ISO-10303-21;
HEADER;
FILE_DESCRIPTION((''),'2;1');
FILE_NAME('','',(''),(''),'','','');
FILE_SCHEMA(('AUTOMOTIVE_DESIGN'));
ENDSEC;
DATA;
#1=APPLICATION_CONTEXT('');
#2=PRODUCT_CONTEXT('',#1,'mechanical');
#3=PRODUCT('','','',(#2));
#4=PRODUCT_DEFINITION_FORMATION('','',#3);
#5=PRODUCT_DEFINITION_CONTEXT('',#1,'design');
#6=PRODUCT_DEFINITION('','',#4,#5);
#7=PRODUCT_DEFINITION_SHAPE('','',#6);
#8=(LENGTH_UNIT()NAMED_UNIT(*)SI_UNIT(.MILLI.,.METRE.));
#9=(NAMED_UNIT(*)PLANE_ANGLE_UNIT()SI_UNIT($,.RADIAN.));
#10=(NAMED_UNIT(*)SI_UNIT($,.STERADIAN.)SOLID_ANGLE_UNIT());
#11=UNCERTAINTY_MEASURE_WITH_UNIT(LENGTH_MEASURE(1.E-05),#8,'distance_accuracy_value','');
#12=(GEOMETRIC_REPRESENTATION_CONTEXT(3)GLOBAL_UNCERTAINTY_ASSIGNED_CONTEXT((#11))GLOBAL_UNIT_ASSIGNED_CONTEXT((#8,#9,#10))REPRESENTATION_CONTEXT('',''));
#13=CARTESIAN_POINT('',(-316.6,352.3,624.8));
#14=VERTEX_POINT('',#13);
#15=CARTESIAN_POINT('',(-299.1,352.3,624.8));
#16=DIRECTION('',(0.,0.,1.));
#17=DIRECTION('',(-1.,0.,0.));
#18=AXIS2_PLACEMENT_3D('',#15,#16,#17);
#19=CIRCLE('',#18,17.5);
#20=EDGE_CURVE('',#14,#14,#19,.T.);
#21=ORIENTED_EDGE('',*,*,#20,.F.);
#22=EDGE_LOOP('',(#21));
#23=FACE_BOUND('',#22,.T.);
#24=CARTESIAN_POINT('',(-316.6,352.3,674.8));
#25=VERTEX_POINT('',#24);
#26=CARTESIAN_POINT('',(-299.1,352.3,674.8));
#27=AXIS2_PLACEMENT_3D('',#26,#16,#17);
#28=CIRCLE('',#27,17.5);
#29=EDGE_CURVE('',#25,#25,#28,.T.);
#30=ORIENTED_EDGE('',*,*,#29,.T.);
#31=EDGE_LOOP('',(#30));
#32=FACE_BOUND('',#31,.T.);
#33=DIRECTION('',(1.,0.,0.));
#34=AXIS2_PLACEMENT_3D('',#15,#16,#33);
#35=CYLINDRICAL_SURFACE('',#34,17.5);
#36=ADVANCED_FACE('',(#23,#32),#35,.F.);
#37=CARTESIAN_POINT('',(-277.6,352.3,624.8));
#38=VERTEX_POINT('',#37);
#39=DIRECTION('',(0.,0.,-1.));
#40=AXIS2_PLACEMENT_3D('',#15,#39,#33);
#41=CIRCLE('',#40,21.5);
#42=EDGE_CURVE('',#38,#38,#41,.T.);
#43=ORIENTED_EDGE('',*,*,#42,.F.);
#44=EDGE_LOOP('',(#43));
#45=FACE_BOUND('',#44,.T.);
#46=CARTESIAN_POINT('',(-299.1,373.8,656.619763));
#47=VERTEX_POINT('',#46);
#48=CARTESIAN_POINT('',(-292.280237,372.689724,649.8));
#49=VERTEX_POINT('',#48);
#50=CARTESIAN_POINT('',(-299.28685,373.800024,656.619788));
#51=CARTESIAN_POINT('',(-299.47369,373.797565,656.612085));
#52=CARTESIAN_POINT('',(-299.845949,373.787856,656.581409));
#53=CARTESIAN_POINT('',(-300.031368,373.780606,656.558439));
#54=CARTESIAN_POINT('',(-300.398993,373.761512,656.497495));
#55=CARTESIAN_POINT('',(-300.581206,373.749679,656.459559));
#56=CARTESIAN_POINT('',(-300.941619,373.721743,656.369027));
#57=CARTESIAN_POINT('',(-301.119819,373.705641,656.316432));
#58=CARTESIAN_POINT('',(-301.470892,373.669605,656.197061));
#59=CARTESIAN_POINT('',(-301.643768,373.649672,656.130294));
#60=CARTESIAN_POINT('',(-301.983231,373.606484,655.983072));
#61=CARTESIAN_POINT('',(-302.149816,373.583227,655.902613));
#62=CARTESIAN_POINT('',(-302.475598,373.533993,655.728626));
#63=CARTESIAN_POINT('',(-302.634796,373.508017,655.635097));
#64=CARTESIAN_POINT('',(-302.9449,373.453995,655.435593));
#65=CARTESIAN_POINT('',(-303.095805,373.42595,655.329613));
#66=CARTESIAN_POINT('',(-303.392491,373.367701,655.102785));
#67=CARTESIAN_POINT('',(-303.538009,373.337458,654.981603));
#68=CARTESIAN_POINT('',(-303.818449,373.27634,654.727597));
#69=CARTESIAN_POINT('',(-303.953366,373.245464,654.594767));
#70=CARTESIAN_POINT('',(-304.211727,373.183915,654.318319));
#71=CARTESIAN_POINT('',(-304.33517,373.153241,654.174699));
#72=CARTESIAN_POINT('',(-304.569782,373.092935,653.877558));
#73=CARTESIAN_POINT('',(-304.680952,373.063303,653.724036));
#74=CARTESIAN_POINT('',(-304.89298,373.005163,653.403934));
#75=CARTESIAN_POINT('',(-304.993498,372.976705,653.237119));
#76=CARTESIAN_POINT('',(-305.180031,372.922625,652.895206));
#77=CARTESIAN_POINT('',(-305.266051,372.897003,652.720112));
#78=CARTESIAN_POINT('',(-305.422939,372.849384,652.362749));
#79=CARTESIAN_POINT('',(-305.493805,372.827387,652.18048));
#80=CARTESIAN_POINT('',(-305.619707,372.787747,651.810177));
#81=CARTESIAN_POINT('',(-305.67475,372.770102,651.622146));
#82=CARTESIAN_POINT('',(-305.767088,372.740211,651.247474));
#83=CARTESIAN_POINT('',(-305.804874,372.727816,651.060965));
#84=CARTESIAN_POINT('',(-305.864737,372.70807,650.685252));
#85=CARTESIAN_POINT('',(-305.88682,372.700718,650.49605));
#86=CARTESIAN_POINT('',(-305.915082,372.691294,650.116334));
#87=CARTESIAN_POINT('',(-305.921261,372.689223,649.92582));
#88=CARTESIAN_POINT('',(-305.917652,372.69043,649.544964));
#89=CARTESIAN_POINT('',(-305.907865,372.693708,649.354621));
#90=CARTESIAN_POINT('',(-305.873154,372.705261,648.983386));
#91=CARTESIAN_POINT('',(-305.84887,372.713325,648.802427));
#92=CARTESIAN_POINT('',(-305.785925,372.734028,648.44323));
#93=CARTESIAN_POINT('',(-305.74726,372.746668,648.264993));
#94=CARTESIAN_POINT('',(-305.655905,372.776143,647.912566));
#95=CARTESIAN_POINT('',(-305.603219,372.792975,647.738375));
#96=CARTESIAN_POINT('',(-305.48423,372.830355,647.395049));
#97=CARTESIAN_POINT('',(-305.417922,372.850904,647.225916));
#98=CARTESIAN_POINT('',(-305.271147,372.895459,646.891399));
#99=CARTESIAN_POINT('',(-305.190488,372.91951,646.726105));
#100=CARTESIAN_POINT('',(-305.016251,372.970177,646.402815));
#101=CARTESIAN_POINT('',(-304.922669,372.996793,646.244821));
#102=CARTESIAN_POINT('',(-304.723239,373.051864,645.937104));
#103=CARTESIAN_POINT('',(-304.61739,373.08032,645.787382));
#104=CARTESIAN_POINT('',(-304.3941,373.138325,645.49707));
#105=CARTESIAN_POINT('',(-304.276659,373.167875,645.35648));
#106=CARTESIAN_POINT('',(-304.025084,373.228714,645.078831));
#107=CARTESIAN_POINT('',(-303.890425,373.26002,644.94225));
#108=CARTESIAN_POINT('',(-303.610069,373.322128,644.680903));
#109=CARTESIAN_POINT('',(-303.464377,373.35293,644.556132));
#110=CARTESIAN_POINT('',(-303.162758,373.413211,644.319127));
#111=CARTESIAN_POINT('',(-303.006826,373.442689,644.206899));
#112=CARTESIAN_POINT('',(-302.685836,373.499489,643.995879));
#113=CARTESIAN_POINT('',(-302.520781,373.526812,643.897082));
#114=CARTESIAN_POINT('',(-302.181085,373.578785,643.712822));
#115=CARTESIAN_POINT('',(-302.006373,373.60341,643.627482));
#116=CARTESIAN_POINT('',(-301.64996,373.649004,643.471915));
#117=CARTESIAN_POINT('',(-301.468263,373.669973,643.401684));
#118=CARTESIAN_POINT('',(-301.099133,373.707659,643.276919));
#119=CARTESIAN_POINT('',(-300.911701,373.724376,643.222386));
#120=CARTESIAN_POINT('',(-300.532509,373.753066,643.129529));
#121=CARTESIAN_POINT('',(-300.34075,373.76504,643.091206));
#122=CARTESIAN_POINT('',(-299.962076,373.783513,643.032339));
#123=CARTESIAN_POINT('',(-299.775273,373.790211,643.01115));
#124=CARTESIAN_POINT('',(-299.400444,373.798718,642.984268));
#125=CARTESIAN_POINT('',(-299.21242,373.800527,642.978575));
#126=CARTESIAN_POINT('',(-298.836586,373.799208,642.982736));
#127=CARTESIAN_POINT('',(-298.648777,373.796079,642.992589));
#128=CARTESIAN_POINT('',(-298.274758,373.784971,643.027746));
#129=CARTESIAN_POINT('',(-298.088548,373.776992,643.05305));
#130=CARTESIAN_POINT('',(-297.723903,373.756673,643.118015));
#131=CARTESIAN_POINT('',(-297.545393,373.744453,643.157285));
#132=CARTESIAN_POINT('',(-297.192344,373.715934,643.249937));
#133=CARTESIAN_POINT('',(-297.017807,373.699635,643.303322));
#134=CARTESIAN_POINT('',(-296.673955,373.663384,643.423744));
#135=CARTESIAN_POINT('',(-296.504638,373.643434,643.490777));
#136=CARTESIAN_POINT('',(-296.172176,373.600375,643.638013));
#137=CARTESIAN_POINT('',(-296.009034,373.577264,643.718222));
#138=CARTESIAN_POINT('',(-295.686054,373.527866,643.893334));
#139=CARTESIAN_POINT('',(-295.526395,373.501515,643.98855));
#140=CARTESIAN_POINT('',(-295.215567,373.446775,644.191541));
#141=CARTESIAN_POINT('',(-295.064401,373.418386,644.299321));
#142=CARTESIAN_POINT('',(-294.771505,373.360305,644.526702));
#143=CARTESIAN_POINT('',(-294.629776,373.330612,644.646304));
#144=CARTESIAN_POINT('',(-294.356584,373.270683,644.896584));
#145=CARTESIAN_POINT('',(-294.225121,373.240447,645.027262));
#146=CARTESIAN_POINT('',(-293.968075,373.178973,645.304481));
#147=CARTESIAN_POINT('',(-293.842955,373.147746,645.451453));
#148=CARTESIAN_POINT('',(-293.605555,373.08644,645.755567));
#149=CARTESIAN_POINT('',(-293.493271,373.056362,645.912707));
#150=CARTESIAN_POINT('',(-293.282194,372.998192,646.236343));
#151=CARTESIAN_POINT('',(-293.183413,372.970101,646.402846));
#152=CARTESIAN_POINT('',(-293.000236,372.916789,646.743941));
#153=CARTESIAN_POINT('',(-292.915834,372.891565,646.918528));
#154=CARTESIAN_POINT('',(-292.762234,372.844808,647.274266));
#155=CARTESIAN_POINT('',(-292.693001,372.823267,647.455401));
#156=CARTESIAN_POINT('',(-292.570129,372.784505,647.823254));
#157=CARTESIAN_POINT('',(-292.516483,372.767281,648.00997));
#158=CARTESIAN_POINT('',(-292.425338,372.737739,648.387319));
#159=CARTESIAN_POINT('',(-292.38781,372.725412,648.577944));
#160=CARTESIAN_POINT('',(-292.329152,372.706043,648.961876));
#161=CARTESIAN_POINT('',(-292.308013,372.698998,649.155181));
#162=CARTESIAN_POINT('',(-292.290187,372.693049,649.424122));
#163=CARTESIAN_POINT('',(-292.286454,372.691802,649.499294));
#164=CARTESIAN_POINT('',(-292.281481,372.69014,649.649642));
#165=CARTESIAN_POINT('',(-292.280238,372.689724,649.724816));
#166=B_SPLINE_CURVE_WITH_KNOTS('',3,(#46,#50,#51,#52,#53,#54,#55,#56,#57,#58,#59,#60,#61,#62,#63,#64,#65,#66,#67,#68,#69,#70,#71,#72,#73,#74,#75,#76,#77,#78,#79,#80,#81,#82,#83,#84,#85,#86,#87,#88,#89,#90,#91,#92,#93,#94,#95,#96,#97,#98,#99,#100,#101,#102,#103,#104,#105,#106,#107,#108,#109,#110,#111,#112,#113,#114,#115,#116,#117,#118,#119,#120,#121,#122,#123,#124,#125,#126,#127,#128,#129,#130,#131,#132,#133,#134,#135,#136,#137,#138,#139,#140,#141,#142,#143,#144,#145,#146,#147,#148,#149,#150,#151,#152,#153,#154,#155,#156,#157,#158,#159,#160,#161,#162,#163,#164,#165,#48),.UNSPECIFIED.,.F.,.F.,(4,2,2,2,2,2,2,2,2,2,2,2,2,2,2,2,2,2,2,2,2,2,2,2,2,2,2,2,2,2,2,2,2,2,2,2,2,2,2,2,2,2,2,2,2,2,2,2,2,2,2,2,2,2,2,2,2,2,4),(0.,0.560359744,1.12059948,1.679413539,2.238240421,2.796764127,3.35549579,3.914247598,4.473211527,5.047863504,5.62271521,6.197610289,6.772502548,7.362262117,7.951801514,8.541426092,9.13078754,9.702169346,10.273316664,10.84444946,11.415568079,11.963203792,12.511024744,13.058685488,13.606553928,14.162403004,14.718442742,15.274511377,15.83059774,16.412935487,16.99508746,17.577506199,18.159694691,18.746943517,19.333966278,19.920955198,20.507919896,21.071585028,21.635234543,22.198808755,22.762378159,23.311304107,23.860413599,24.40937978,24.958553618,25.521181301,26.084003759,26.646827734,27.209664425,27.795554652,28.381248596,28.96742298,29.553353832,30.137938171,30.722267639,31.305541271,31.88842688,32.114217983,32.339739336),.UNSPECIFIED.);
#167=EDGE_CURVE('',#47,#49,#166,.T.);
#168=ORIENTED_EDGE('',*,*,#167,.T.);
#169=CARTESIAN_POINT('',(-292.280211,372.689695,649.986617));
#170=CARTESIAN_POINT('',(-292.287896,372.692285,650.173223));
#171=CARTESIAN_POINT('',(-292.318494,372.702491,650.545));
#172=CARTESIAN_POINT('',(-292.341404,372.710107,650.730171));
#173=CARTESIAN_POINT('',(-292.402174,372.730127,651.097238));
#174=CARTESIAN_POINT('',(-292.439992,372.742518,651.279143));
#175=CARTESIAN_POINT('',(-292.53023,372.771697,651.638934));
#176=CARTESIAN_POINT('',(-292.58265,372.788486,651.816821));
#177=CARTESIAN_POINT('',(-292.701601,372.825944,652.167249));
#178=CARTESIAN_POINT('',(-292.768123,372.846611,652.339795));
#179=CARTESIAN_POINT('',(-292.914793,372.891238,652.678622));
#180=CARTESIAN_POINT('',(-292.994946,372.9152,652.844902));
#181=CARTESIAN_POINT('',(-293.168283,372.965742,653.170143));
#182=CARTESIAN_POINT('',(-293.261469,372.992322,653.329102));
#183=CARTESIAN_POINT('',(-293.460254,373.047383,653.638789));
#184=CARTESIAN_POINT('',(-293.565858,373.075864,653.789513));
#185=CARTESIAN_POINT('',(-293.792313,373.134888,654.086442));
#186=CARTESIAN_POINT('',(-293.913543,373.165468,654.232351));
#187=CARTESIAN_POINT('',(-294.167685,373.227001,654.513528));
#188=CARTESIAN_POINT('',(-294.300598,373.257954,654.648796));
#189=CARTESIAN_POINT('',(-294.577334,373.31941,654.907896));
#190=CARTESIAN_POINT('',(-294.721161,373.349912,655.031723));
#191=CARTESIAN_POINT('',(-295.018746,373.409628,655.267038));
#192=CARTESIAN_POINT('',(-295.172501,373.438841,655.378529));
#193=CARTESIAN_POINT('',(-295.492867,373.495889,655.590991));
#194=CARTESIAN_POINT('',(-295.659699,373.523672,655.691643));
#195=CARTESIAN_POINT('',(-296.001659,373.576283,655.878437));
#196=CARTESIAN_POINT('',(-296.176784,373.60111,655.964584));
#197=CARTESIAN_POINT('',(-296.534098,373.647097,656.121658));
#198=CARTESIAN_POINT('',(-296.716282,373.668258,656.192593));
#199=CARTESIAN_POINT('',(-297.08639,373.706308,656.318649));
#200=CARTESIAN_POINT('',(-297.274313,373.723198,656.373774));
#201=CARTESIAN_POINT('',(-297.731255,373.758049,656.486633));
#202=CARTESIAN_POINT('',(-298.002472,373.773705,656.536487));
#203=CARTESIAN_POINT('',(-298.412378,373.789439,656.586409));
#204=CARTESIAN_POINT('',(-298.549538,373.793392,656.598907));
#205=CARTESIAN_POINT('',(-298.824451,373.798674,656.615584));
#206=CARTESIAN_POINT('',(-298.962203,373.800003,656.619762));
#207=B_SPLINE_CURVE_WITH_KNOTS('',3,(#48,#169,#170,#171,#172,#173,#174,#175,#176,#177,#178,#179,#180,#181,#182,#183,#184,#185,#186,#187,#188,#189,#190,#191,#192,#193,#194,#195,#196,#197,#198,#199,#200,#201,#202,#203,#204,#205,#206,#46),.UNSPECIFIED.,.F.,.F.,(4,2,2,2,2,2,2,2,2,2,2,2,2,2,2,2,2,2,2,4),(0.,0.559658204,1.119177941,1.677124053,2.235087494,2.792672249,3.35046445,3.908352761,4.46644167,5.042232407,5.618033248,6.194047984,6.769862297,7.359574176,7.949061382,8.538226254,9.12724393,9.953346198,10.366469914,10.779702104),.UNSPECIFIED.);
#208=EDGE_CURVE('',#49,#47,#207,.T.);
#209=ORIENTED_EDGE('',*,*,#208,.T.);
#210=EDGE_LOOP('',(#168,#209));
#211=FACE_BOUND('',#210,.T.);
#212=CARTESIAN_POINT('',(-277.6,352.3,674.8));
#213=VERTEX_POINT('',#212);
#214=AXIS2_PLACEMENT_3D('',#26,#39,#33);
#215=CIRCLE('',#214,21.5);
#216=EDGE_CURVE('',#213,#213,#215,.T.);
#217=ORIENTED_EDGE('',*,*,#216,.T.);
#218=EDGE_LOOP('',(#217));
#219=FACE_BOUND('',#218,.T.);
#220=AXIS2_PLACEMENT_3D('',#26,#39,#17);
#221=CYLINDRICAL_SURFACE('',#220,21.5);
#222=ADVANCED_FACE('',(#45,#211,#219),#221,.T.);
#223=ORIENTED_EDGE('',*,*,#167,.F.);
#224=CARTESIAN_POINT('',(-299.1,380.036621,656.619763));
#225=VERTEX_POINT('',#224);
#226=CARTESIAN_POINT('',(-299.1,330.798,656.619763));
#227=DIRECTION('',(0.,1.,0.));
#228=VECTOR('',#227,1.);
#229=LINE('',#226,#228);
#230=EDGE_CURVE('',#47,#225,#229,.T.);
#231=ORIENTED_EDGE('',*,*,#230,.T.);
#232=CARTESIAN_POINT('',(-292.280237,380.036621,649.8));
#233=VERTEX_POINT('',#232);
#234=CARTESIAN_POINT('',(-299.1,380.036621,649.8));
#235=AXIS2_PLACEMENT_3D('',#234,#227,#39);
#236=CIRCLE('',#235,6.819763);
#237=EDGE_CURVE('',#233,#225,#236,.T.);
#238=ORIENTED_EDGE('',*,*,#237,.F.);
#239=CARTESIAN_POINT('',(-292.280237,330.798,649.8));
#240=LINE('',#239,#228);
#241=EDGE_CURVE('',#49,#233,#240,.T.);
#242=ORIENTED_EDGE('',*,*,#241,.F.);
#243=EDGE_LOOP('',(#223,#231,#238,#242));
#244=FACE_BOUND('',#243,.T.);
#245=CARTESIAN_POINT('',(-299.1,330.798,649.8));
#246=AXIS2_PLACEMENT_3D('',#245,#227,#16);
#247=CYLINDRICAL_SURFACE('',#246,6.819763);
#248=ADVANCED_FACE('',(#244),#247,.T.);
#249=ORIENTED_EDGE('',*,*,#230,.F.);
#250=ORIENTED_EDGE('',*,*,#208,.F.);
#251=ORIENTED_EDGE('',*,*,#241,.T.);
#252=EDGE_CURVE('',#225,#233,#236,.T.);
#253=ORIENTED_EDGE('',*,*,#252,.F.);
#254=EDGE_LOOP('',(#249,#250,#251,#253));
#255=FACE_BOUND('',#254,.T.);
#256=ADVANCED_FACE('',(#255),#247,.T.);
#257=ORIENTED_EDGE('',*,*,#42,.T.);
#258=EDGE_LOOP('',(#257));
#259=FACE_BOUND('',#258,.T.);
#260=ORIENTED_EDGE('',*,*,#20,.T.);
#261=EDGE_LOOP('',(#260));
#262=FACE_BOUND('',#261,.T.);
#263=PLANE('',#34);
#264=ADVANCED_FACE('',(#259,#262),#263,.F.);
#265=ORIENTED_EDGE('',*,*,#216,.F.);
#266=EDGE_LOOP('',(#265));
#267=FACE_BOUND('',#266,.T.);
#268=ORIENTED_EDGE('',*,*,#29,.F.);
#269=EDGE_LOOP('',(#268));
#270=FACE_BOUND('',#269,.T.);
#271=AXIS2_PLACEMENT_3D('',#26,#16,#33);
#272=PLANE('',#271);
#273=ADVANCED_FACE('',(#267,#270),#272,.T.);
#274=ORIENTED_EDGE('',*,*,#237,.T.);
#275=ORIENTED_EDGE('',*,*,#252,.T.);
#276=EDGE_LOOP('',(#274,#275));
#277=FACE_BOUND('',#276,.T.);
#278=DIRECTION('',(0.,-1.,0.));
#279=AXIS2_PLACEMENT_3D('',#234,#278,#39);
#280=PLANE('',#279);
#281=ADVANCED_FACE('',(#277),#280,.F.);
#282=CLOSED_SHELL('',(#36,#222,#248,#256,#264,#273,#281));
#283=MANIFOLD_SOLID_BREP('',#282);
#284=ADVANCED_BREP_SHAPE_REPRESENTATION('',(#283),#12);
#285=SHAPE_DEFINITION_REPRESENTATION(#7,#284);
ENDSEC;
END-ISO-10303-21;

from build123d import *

# Parameters (mm, degrees)
SKETCH1_R                = 21.5
BOSS_EXTRUDE1_DEPTH      = 50
SKETCH2_R                = 17.5
CUT_EXTRUDE1_DEPTH       = 495.985656358
BOSS_EXTRUDE2_REACH      = 750.708
BOSS_EXTRUDE2_END_RADIUS = 21.5


with BuildPart() as part:
    # Sketch1 → Boss-Extrude1 (new body)
    with BuildSketch(Plane(origin=(0, 0, 624.8), x_dir=(-1, 0, 0), z_dir=(0, 0, -1))):
        with Locations(Location((299.1, 352.3, 0), (0, 0, 180))):
            Circle(SKETCH1_R)
    extrude(amount=-BOSS_EXTRUDE1_DEPTH)

    # Sketch2 → Cut-Extrude1 (cut, through all)
    with BuildSketch(Plane.XY.offset(674.8)):
        with Locations(Location((-299.1, 352.3, 0), (0, 0, 180))):
            Circle(SKETCH2_R)
    extrude(amount=-CUT_EXTRUDE1_DEPTH, mode=Mode.SUBTRACT)

    # Boss-Extrude2: up to this cylinder (the profile starts outside it)
    boss_extrude2_end = Plane(origin=(-299.1, 352.3, 649.8), z_dir=(0, 0, -1)) * Cylinder(BOSS_EXTRUDE2_END_RADIUS, 1545.416, mode=Mode.PRIVATE)
    # Sketch3 → Boss-Extrude2 (add, up to the surface)
    with BuildSketch(Plane(origin=(0, 380.036620923, 0), x_dir=(1, 0, 0), z_dir=(0, 1, 0)), mode=Mode.PRIVATE) as boss_extrude2_sk1:
        with BuildLine():
            ThreePointArc((-292.280237329, -649.8), (-294.277699569, -654.622300431), (-299.1, -656.619762671))
            ThreePointArc((-299.1, -656.619762671), (-303.922300431, -644.977699569), (-292.280237329, -649.8))
        make_face()
    boss_extrude2_tool1 = extrude(boss_extrude2_sk1.sketch, amount=-BOSS_EXTRUDE2_REACH, mode=Mode.PRIVATE) - boss_extrude2_end
    add(boss_extrude2_tool1.solids().sort_by_distance((-299.1, 380.036621, 649.8))[0])


solid = part.part
